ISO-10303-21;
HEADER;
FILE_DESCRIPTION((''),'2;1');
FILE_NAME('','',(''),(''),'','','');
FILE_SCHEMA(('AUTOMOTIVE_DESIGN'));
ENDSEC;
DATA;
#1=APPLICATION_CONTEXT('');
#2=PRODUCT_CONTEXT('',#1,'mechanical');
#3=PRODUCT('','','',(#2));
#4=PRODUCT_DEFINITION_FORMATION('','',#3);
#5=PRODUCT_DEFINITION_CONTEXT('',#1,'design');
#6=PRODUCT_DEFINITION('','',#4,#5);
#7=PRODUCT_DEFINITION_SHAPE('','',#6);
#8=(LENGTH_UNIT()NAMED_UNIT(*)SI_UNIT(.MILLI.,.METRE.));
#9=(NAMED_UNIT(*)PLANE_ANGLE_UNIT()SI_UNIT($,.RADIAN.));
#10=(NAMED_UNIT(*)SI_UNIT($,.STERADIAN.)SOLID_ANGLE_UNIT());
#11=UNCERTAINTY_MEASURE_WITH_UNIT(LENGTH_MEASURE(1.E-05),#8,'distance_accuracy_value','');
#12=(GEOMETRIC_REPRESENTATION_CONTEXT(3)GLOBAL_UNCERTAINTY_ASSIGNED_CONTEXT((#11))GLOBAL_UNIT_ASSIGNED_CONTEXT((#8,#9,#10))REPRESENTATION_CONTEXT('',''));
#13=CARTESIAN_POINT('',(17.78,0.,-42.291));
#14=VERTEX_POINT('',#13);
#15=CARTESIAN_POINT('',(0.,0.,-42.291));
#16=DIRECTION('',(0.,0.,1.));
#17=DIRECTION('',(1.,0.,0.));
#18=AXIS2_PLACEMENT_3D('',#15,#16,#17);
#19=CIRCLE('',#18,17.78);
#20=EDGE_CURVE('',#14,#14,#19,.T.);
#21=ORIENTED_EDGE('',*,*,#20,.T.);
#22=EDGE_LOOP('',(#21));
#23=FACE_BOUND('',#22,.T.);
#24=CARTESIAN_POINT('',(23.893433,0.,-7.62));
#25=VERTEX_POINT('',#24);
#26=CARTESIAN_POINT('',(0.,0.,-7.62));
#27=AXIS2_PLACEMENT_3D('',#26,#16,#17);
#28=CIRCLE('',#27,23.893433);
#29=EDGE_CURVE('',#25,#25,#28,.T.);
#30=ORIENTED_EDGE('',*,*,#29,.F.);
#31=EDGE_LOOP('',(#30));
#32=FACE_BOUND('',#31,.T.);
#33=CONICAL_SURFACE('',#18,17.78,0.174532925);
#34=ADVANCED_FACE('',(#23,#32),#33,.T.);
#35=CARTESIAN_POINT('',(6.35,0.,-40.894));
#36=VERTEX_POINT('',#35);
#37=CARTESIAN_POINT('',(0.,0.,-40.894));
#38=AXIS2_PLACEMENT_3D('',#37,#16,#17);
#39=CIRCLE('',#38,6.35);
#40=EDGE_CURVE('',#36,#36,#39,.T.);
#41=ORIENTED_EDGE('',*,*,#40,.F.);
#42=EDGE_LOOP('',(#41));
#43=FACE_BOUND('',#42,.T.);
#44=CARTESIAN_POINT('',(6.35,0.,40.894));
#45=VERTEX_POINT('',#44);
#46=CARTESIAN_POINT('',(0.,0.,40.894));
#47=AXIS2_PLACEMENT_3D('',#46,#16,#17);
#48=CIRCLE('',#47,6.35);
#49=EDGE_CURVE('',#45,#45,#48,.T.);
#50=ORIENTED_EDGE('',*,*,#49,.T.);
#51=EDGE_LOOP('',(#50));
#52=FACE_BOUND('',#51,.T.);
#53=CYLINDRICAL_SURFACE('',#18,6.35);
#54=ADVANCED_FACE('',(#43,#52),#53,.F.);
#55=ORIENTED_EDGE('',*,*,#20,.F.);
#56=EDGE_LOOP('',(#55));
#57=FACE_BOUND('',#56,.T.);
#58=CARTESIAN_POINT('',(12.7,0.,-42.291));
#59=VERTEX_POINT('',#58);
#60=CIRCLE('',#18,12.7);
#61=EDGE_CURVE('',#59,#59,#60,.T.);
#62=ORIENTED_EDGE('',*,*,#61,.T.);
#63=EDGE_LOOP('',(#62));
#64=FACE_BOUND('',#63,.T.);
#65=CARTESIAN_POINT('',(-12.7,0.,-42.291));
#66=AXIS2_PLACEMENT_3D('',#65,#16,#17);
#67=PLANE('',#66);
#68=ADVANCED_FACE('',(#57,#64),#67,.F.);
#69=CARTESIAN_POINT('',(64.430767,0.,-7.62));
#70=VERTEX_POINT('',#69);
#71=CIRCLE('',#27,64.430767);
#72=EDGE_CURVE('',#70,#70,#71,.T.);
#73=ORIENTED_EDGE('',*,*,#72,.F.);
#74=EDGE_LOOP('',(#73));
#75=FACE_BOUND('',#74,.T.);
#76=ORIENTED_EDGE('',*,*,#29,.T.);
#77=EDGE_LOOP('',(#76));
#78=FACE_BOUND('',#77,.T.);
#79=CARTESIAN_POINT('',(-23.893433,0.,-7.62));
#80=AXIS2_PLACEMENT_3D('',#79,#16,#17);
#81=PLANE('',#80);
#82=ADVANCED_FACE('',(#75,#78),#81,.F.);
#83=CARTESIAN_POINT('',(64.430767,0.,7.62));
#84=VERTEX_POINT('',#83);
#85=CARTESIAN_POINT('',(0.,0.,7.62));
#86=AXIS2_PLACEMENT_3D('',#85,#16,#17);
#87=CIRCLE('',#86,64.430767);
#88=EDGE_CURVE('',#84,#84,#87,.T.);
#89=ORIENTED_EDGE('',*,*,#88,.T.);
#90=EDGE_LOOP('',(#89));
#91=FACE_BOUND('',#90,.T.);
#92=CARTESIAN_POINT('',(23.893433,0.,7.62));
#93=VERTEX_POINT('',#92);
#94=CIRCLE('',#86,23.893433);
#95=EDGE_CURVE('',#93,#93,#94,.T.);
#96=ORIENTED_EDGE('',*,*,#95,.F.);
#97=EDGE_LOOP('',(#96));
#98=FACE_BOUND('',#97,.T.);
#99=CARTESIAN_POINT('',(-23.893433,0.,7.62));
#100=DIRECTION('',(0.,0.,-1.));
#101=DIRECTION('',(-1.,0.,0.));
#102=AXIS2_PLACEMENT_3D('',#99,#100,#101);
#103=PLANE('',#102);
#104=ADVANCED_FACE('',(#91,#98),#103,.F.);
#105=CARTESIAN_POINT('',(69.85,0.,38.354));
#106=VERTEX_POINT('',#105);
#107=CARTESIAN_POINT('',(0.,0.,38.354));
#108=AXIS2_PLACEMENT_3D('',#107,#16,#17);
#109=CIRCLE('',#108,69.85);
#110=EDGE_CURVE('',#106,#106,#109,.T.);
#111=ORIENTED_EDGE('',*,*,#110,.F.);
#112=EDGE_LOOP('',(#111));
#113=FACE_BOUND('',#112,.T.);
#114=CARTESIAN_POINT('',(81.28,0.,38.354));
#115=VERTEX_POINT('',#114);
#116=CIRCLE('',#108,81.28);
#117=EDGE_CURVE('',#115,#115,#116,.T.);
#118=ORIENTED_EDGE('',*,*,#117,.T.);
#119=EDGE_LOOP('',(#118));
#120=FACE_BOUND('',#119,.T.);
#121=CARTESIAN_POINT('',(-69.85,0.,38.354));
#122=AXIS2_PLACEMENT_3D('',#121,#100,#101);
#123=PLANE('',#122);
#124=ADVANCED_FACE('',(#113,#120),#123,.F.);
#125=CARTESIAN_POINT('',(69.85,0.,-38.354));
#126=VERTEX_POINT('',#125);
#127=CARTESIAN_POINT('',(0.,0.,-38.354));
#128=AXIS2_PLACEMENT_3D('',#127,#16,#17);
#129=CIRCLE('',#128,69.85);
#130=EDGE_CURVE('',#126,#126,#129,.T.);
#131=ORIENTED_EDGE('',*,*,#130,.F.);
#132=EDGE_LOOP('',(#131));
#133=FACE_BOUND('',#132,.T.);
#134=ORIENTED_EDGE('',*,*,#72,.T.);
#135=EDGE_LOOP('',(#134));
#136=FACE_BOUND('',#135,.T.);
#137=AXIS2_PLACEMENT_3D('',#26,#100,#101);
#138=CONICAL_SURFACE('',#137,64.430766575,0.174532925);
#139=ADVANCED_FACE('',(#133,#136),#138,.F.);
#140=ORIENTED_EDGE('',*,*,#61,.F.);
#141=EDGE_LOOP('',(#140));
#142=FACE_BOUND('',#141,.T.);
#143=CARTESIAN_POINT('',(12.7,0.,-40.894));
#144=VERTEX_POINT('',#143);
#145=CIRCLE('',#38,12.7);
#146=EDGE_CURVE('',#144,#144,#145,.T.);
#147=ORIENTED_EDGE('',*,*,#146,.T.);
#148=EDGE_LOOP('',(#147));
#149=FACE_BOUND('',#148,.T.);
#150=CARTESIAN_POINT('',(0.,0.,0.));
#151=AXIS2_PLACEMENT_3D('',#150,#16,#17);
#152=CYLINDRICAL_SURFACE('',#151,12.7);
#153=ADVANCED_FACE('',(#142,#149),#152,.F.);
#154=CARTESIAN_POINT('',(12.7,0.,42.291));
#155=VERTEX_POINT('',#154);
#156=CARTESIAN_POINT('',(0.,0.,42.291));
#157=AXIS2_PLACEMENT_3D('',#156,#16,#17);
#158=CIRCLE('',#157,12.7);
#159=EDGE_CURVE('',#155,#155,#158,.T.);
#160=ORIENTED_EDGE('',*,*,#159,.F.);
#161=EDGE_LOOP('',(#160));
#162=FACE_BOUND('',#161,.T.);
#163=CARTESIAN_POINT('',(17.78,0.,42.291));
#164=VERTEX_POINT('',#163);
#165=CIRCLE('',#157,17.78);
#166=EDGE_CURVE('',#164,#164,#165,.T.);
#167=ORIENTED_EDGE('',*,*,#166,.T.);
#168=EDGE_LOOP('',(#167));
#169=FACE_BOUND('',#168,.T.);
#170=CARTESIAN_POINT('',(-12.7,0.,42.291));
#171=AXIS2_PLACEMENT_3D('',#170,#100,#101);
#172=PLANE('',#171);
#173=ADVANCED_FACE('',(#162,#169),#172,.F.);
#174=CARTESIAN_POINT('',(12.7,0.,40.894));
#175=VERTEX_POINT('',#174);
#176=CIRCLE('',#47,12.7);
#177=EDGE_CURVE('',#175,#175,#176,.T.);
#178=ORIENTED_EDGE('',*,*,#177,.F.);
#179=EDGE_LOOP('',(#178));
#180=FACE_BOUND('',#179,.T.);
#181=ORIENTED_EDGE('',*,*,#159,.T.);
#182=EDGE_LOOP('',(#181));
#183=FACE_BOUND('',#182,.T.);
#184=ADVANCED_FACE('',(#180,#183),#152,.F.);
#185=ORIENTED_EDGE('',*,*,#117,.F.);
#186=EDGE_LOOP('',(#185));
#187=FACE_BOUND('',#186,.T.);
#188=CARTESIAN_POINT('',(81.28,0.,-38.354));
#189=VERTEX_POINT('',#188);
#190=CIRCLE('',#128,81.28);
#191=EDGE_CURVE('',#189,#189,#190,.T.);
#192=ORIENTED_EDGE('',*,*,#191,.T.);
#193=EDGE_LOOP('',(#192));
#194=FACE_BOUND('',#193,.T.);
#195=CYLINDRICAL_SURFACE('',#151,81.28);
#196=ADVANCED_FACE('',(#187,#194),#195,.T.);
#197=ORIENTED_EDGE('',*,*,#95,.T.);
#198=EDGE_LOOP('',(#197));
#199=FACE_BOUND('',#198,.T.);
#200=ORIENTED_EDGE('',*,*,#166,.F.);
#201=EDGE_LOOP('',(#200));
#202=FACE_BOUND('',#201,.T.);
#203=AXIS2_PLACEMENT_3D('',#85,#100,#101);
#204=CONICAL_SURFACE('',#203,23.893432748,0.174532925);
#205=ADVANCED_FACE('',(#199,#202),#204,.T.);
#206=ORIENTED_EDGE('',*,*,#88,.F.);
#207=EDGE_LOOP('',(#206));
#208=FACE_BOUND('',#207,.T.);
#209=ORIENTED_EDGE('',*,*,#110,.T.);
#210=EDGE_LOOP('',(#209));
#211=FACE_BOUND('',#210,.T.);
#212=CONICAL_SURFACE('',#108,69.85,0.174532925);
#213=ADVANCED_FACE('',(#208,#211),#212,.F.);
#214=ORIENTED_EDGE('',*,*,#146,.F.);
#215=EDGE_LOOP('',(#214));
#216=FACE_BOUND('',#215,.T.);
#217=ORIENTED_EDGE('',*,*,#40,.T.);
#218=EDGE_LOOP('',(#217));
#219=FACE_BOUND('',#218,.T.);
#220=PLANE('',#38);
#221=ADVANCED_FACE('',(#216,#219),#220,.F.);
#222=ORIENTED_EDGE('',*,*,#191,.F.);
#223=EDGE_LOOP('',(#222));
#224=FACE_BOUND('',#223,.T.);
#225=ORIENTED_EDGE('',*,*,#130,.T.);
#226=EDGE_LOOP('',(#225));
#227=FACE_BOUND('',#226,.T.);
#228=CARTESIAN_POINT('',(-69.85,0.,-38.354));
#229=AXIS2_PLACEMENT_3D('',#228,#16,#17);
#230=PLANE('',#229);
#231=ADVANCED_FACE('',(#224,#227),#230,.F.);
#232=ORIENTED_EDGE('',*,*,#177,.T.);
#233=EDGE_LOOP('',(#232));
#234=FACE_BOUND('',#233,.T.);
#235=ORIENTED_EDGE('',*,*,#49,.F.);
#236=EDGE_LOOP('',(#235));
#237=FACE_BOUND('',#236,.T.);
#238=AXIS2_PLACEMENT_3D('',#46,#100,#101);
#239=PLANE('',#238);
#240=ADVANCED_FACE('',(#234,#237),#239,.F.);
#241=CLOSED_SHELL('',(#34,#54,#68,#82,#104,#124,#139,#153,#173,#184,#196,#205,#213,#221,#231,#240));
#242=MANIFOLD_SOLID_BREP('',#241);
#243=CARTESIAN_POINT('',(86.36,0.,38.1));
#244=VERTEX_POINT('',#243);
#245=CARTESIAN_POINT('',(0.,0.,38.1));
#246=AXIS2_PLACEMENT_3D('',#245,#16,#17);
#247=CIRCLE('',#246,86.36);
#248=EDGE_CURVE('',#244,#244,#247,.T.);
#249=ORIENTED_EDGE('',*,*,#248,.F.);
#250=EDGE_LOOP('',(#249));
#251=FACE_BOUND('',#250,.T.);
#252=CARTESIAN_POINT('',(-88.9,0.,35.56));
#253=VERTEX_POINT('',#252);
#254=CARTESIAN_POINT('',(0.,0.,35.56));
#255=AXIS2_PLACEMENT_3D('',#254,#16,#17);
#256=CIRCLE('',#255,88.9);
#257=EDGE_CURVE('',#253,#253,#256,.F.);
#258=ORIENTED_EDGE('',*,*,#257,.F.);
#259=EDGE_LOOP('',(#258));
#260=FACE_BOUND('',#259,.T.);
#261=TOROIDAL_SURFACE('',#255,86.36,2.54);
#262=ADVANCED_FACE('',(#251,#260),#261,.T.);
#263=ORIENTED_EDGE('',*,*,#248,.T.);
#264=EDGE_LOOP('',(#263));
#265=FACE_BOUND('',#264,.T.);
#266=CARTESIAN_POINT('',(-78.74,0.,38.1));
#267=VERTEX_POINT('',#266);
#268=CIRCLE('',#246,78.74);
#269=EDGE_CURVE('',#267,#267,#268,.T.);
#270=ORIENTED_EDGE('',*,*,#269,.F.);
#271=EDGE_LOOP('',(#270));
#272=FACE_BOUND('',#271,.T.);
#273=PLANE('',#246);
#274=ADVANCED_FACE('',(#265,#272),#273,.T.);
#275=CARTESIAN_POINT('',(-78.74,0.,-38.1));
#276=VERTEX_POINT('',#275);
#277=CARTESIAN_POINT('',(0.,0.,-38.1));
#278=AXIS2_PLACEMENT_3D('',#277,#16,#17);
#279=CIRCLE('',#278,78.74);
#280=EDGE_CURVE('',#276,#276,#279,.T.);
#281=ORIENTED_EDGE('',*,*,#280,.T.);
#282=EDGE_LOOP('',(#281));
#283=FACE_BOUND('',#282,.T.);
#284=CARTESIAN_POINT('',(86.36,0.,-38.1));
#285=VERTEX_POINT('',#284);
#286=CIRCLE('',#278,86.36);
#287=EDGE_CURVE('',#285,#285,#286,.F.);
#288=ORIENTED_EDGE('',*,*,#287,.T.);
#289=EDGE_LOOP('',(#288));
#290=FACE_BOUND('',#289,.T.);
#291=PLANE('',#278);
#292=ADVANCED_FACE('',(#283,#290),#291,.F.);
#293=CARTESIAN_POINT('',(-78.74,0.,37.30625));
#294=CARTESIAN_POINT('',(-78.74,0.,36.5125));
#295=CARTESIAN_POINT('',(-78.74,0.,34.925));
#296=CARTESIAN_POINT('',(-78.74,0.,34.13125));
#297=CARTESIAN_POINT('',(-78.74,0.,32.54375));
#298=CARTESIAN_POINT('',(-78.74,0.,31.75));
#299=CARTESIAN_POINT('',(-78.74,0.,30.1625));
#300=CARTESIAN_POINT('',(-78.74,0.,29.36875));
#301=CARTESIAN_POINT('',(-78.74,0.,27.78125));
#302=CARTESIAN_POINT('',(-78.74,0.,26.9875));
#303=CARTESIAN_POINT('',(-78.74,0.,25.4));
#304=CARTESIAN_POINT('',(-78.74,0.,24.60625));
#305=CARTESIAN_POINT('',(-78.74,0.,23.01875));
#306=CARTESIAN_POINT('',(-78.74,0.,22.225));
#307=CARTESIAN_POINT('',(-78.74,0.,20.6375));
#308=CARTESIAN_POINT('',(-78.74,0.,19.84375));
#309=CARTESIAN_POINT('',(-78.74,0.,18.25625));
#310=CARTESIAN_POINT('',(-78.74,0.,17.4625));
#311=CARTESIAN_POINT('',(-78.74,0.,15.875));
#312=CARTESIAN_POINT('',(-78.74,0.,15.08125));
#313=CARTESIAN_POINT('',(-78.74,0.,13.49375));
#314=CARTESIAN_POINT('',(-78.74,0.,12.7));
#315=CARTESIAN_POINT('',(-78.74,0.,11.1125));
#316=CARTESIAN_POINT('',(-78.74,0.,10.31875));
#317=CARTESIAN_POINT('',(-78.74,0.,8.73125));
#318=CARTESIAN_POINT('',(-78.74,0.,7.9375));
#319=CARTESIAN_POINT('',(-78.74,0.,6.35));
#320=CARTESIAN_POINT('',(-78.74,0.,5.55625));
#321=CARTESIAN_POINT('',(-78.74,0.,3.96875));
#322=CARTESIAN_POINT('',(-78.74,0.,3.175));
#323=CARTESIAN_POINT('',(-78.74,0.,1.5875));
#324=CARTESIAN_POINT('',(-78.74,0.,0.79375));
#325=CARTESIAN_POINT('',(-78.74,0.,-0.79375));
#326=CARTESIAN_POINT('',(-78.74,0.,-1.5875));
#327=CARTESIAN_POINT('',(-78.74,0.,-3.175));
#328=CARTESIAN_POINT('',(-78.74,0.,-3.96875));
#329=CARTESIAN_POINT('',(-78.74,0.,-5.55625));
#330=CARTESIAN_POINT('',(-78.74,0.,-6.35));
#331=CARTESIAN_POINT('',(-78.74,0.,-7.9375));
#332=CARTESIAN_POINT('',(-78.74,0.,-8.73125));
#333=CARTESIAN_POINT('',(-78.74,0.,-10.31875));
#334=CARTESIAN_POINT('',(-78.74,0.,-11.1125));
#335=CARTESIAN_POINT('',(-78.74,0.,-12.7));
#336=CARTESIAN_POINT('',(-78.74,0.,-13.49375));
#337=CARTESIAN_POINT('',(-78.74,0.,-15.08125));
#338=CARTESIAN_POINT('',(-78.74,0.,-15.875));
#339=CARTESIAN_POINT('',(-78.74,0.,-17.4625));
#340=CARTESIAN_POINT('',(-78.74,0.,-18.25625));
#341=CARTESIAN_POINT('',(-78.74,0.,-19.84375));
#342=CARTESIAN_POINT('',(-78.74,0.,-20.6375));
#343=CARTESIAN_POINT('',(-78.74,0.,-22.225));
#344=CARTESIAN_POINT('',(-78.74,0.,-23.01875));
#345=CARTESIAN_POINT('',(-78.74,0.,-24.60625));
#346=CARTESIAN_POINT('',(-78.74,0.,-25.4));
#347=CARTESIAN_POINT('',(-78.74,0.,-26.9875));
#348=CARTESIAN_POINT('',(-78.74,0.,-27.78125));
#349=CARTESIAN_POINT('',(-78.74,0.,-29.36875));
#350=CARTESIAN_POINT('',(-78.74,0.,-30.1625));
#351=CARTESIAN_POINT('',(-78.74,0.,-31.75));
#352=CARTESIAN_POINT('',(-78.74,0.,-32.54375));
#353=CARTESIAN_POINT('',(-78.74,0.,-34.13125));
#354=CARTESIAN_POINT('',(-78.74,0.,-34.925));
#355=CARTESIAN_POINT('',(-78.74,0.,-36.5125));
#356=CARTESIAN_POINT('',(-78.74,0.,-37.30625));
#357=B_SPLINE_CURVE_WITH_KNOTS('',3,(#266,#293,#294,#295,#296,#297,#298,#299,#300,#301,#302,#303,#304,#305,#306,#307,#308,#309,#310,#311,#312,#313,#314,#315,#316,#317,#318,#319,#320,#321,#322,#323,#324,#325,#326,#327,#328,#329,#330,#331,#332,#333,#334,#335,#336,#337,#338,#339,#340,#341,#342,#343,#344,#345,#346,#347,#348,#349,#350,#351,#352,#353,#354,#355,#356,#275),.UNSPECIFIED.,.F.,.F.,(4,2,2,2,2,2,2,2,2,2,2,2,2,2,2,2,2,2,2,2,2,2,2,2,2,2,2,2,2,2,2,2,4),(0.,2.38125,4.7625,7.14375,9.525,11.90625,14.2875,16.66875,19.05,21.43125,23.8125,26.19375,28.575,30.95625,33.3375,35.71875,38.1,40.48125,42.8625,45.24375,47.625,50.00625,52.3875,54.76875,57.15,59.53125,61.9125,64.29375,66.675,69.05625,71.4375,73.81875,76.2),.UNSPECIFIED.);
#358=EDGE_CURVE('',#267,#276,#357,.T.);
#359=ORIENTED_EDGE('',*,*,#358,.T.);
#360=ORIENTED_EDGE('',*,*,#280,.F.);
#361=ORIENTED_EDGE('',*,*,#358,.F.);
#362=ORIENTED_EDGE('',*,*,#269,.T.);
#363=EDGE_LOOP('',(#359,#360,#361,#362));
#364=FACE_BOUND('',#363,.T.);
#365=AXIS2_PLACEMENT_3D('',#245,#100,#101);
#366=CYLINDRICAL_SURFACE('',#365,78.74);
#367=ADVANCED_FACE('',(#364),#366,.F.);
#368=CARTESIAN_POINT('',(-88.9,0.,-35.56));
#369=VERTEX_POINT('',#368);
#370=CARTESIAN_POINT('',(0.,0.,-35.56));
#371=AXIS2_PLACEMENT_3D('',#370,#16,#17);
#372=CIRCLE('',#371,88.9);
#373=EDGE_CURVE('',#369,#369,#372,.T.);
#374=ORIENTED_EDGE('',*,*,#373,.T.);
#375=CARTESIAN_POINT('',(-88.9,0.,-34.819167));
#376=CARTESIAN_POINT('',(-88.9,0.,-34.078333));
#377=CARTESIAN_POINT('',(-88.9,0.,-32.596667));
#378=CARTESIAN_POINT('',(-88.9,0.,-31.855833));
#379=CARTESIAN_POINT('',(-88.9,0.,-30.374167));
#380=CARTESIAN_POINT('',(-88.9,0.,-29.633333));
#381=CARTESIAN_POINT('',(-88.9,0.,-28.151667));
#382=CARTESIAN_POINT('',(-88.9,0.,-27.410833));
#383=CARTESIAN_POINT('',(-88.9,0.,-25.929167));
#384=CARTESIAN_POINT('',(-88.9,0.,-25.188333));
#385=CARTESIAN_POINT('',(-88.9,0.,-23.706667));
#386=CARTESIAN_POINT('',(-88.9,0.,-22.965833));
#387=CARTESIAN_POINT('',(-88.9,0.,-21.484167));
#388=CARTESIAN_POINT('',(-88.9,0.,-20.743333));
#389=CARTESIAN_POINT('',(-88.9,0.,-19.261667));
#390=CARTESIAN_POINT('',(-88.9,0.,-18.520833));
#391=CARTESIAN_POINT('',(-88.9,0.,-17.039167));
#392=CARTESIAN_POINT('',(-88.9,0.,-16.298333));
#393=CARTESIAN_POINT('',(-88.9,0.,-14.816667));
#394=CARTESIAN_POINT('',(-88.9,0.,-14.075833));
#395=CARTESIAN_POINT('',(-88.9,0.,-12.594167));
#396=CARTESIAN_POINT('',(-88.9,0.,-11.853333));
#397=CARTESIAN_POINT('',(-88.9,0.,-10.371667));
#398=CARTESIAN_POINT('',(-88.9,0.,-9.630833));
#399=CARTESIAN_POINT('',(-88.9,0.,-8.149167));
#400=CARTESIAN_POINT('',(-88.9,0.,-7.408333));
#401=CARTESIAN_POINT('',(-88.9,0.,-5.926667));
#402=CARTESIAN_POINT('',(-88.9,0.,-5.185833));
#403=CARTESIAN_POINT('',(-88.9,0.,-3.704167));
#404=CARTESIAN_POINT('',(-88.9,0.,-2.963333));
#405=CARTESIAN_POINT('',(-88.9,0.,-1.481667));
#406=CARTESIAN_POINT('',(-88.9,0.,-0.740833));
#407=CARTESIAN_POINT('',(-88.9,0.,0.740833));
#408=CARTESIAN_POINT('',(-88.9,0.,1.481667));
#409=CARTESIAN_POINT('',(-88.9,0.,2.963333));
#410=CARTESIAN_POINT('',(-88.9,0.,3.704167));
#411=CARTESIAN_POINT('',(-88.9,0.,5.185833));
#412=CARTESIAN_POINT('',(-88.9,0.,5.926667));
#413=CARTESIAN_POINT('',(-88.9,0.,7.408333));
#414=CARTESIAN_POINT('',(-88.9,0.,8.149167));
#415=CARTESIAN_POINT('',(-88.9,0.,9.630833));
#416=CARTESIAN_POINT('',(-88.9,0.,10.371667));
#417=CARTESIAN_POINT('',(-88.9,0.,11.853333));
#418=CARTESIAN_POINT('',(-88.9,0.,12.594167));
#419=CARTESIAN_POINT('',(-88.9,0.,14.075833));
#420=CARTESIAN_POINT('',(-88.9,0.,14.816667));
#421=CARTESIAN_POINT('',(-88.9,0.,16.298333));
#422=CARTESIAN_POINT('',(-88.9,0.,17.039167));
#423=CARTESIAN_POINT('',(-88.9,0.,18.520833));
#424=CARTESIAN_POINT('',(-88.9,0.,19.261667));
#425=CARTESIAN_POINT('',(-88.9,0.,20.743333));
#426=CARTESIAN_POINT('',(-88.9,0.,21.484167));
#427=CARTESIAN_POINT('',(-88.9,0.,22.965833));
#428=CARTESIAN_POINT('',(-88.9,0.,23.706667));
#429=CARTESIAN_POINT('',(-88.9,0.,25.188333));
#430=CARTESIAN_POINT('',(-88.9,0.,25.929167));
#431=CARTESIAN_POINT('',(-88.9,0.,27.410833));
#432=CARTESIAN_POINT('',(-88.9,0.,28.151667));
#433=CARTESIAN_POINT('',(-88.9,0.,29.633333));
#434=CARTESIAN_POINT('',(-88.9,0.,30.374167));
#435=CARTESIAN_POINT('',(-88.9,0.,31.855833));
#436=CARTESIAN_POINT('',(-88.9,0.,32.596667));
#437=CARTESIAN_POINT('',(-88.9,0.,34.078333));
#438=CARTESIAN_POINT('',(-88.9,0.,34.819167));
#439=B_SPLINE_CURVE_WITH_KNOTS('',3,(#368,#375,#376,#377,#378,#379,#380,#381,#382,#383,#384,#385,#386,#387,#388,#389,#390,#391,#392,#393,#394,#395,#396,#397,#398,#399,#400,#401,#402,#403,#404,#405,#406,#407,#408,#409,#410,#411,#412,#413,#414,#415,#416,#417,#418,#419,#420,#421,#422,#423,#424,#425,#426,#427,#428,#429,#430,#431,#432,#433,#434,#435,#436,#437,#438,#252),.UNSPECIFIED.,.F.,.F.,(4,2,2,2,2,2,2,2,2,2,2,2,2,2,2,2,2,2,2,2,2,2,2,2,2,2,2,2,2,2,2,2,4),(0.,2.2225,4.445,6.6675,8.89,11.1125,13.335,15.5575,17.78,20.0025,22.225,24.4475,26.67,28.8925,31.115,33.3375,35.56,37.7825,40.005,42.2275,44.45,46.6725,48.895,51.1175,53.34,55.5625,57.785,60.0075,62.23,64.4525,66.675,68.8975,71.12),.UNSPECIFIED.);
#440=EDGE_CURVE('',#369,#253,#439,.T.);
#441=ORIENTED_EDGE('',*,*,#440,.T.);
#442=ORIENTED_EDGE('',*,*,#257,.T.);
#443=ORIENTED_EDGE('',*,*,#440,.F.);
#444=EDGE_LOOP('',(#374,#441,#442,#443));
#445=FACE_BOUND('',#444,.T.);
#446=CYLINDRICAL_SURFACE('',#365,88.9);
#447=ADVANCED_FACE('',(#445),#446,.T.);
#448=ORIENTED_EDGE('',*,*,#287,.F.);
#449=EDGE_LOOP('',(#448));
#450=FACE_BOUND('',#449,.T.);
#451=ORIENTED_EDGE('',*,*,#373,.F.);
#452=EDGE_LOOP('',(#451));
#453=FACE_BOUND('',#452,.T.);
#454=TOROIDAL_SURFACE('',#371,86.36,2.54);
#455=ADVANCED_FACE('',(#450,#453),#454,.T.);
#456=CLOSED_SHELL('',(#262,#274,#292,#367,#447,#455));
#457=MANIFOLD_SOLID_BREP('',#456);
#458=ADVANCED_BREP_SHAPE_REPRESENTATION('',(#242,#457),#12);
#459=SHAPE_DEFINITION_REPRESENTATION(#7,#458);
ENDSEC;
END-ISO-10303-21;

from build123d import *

# Parameters (mm, degrees)
SKETCH1_R           = 88.9
SKETCH1_R_2         = 78.74
BOSS_EXTRUDE1_DEPTH = 38.1
FILLET1_R           = 2.54
SKETCH8_R           = 6.35
CUT_EXTRUDE1_DEPTH  = 151.751995817


with BuildPart() as part:
    # Sketch1 → Boss-Extrude1 (new, symmetric)
    with BuildSketch(Plane.XY):
        with Locations(Location((0, 0, 0), (0, 0, 180))):
            Circle(SKETCH1_R)
        with Locations(Location((0, 0, 0), (0, 0, 180))):
            Circle(SKETCH1_R_2, mode=Mode.SUBTRACT)
    extrude(amount=BOSS_EXTRUDE1_DEPTH, both=True)

    # Fillet1
    fillet1_edges = [part.edges().sort_by_distance(p)[0] for p in [
        (88.9, 0, -38.1),
        (88.9, 0, 38.1),
    ]]
    fillet(fillet1_edges, radius=FILLET1_R)


with BuildPart() as body_2:
    # Sketch3 → Revolve1 (revolve)
    with BuildSketch(Plane(origin=(0, 0, 0), x_dir=(1, 0, 0), z_dir=(0, 1, 0)), mode=Mode.PRIVATE) as revolve1_sk:
        Polygon((0, 40.894), (0, -40.894), (-12.7, -40.894), (-12.7, -42.291), (-17.78, -42.291), (-23.893432748, -7.62), (-64.430766575, -7.62), (-69.85, -38.354), (-81.28, -38.354), (-81.28, 38.354), (-69.85, 38.354), (-64.430766575, 7.62), (-23.893432748, 7.62), (-17.78, 42.291), (-12.7, 42.291), (-12.7, 40.894), align=None)
    revolve(revolve1_sk.sketch.rotate(Axis((0, 0, 0), (0, 0, -1)), 180), axis=Axis((0, 0, 0), (0, 0, -1)))

    # Sketch8 → Cut-Extrude1 (cut, through all)
    with BuildSketch(Plane.XY.offset(40.894)):
        Circle(SKETCH8_R)
    extrude(amount=-CUT_EXTRUDE1_DEPTH, mode=Mode.SUBTRACT)


solid = Compound([part.part, body_2.part])
